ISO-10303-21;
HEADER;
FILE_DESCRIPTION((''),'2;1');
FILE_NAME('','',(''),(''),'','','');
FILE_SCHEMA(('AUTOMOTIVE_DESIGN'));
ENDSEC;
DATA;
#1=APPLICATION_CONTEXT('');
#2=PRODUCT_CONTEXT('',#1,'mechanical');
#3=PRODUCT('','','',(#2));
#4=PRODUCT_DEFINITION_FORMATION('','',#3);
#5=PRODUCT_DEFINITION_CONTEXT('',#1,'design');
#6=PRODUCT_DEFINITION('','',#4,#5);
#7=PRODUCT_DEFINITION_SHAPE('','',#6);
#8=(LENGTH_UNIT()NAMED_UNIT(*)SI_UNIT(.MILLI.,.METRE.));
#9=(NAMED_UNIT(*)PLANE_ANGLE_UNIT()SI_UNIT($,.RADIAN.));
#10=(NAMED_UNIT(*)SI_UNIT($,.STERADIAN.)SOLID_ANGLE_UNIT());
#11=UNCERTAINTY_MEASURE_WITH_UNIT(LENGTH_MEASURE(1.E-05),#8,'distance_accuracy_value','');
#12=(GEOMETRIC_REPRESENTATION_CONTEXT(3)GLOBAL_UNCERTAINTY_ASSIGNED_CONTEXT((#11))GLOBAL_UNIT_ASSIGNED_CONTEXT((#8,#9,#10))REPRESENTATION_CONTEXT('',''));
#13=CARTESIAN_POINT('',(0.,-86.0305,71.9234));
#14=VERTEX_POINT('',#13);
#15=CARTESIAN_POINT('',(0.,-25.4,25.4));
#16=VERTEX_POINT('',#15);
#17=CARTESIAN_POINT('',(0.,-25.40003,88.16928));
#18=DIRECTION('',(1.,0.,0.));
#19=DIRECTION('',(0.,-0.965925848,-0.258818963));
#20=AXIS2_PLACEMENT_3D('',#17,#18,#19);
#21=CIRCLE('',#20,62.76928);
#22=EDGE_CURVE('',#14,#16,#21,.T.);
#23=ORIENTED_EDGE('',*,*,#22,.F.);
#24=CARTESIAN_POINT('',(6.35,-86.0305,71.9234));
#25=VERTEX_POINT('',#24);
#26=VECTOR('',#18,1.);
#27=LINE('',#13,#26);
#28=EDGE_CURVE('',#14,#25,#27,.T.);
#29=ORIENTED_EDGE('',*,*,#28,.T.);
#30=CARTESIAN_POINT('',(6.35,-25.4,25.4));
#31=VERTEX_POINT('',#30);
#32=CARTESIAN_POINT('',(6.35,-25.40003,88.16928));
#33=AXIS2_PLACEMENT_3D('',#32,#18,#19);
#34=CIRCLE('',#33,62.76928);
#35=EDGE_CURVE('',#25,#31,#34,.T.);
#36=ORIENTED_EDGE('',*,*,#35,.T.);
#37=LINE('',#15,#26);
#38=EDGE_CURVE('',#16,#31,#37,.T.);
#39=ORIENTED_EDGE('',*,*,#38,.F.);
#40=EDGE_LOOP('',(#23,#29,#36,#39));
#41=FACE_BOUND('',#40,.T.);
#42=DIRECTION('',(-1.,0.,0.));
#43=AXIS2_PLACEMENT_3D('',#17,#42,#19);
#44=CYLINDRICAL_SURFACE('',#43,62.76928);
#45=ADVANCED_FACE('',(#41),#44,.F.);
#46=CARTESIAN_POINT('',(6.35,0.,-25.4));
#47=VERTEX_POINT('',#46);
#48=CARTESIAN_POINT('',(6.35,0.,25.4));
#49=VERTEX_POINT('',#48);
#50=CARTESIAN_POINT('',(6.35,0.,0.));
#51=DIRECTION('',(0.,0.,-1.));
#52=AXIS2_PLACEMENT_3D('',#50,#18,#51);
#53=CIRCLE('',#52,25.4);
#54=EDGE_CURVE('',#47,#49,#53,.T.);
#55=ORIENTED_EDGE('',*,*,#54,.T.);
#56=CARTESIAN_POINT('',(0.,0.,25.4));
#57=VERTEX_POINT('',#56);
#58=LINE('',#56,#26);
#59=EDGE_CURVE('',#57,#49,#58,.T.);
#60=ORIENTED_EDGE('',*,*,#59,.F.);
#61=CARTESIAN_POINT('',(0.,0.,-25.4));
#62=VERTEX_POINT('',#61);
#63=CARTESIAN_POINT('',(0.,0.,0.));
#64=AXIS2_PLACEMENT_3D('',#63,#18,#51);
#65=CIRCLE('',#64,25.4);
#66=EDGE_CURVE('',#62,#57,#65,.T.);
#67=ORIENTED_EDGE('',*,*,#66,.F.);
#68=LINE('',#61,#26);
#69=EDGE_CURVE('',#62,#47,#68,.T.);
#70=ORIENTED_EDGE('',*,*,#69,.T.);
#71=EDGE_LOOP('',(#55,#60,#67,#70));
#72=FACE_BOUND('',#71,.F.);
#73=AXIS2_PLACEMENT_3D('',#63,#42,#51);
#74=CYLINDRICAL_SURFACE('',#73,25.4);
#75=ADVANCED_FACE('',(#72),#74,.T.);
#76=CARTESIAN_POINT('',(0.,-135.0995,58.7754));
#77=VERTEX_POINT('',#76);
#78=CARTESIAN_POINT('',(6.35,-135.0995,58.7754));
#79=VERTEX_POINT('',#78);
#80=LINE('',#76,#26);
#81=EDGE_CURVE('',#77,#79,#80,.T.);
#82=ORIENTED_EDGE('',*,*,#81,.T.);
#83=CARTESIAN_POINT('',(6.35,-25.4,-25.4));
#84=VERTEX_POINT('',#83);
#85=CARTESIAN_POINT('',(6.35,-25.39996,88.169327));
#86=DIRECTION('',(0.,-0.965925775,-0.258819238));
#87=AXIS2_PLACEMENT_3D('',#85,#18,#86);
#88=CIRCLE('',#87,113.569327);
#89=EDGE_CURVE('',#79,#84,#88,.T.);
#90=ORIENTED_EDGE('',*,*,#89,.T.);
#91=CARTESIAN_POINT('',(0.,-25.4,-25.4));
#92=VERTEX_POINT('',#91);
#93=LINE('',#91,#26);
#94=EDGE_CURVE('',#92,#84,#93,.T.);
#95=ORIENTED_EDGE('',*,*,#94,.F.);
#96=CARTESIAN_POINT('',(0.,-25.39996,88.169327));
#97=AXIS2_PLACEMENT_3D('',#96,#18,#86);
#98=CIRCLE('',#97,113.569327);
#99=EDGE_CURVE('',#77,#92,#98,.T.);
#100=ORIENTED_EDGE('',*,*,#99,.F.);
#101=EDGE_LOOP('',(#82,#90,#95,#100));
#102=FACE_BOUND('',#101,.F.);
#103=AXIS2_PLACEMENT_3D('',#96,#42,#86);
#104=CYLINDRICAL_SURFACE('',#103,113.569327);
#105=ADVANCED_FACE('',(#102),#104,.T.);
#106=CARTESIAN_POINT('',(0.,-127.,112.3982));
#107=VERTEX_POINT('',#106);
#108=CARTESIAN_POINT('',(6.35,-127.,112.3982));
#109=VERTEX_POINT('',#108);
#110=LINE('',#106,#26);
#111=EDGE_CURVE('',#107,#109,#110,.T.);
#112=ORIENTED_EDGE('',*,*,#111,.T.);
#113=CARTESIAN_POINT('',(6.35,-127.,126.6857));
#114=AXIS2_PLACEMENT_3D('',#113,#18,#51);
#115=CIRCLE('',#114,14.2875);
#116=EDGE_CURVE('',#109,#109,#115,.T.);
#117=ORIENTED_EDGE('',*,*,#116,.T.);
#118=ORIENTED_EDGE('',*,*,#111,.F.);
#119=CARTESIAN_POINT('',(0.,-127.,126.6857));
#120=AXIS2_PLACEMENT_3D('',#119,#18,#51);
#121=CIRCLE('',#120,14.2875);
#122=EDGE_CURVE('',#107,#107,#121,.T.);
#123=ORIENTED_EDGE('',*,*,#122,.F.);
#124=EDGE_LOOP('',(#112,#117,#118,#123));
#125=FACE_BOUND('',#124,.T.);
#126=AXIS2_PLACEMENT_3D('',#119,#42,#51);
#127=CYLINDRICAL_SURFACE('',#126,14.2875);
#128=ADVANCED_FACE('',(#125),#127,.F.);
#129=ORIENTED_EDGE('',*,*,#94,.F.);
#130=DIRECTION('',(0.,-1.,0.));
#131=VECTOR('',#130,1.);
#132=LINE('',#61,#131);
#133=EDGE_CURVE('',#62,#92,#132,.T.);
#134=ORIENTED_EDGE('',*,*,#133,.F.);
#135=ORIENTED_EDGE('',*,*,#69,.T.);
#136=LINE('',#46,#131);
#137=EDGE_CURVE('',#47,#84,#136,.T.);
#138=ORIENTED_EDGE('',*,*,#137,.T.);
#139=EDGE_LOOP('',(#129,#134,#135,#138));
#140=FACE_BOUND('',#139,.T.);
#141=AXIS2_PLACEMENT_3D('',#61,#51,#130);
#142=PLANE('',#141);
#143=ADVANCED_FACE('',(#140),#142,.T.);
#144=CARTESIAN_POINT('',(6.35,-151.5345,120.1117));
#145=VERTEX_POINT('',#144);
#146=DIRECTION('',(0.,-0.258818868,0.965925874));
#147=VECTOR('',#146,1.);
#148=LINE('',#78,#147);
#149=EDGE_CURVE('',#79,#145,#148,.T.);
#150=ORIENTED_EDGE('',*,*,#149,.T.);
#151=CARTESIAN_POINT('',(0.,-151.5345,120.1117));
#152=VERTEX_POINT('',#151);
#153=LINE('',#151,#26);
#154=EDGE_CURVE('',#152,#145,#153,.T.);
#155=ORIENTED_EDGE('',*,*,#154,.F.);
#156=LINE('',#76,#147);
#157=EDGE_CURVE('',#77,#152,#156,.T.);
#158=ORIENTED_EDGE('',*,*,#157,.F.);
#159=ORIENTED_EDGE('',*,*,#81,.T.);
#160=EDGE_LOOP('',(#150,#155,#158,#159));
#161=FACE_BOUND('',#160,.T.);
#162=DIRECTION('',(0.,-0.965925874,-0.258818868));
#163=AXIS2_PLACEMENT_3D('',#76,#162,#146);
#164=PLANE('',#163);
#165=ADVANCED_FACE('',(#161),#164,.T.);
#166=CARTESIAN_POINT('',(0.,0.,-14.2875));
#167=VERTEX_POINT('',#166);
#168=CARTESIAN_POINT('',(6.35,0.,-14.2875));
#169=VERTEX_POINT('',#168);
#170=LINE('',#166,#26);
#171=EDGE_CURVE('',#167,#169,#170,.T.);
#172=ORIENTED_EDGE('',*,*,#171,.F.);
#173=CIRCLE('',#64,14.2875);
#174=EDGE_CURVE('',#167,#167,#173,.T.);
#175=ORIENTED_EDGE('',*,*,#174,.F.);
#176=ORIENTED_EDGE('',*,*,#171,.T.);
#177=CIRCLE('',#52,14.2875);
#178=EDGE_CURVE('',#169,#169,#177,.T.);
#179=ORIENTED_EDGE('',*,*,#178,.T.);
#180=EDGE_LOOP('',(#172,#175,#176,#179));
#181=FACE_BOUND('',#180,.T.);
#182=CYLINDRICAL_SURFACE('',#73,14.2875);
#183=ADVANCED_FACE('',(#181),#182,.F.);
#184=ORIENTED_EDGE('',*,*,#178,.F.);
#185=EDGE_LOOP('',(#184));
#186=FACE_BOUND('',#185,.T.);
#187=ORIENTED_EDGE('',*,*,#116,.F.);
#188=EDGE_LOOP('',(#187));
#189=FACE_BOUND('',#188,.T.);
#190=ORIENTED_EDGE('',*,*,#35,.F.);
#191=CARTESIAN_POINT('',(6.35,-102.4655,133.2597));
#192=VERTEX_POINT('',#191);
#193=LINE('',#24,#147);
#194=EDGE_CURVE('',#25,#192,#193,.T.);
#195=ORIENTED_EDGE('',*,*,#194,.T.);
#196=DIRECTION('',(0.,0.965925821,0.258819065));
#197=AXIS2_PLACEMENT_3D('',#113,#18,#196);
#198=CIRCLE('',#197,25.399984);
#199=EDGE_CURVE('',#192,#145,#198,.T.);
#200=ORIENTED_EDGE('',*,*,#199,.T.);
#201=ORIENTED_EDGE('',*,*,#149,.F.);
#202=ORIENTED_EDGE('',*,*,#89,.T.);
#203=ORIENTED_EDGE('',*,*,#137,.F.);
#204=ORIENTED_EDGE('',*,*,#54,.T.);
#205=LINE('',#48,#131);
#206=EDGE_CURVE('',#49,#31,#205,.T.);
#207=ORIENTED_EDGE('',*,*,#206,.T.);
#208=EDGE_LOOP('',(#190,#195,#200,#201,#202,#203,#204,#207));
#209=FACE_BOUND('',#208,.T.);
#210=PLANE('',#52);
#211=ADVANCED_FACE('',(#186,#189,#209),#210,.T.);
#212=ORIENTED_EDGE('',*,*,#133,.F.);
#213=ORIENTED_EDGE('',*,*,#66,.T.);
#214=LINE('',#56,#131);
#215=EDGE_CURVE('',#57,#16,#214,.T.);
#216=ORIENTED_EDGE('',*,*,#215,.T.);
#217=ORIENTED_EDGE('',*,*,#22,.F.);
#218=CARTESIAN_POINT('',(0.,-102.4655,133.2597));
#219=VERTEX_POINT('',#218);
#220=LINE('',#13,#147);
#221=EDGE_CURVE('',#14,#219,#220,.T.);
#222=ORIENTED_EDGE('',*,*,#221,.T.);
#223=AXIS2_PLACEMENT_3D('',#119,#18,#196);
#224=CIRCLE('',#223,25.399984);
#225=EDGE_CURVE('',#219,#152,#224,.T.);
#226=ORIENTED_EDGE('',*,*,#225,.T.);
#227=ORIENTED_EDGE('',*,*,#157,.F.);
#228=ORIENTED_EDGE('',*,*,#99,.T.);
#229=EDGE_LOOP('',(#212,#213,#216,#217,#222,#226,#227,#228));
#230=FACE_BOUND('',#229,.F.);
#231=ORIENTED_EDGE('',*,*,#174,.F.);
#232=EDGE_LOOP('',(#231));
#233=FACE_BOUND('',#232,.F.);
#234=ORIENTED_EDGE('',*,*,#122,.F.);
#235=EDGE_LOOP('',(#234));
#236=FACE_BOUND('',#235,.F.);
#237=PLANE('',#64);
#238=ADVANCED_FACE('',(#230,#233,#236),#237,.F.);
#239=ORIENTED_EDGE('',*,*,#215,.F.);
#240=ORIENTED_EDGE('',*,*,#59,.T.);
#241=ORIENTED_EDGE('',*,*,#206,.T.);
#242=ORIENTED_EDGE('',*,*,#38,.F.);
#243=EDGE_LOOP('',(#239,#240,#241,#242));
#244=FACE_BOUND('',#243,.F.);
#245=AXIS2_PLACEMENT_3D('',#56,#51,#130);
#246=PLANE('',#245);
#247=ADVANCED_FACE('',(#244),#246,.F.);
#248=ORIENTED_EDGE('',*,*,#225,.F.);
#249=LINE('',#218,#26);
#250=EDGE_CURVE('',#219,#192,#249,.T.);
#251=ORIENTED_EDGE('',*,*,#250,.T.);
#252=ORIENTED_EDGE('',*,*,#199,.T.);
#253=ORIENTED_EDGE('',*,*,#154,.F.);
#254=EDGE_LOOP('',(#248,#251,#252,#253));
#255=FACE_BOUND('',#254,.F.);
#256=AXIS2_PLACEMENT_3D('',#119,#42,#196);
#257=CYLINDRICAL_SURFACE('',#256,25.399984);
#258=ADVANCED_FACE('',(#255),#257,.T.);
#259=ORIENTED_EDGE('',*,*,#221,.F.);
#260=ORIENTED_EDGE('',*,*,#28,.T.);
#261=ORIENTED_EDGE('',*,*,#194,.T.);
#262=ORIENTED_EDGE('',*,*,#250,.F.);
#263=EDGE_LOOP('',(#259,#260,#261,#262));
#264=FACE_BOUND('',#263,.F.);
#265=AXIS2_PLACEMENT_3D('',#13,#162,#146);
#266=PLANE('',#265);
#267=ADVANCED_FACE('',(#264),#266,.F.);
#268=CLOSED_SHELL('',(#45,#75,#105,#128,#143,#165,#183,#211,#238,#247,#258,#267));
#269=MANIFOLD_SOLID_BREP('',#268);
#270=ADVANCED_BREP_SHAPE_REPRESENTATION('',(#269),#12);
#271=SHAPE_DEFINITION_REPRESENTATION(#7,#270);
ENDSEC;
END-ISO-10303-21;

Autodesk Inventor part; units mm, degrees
ref_plane "YZ Plane" through (0, 0, 0) normal (1, 0, 0) x (0, 1, 0)
ref_plane "XZ Plane" through (0, 0, 0) normal (0, 1, 0) x (-1, 0, 0)
ref_plane "XY Plane" through (0, 0, 0) normal (0, 0, 1) x (1, 0, 0)
sketch "Sketch2" plane through (0, 0, 0) normal (1, 0, 0) x (0, 0, -1)
  circle A0 centre (0, 0) radius 14.2875
  arc A1 (25.4, 0) -> (-25.4, 0) centre (0, 0) ccw
  line L0 (-25.4, 0) -> (-25.4, -25.4)
  line L1 (25.4, 0) -> (25.4, -25.4)
  arc A2 (-71.9234, -86.0305) -> (-25.4, -25.4) centre (-88.1693, -25.4) ccw
  arc A3 (-58.7754, -135.0995) -> (25.4, -25.4) centre (-88.1693, -25.4) ccw
  line L2 (-88.1693, -25.4) -> (-58.7754, -135.0995) construction
  line L3 (-71.9234, -86.0305) -> (-133.2597, -102.4655)
  line L4 (-58.7754, -135.0995) -> (-120.1117, -151.5345)
  arc A4 (-133.2597, -102.4655) -> (-120.1117, -151.5345) centre (-126.6857, -127) ccw
  circle A5 centre (-126.6857, -127) radius 14.2875
  line L5 (-88.1693, -25.4) -> (25.4, -25.4) construction
  dimension "d0" = 28.575
  dimension "d1" = 25.4
  dimension "d2" = 28.575
  dimension "d3" = 25.4
  dimension "d4" = 63.5
  dimension "d5" = 127
  dimension "d6" = 75
extrude "Extrusion1" add sketch "Sketch2" along normal blind 6.35
properties part number "Claw"
